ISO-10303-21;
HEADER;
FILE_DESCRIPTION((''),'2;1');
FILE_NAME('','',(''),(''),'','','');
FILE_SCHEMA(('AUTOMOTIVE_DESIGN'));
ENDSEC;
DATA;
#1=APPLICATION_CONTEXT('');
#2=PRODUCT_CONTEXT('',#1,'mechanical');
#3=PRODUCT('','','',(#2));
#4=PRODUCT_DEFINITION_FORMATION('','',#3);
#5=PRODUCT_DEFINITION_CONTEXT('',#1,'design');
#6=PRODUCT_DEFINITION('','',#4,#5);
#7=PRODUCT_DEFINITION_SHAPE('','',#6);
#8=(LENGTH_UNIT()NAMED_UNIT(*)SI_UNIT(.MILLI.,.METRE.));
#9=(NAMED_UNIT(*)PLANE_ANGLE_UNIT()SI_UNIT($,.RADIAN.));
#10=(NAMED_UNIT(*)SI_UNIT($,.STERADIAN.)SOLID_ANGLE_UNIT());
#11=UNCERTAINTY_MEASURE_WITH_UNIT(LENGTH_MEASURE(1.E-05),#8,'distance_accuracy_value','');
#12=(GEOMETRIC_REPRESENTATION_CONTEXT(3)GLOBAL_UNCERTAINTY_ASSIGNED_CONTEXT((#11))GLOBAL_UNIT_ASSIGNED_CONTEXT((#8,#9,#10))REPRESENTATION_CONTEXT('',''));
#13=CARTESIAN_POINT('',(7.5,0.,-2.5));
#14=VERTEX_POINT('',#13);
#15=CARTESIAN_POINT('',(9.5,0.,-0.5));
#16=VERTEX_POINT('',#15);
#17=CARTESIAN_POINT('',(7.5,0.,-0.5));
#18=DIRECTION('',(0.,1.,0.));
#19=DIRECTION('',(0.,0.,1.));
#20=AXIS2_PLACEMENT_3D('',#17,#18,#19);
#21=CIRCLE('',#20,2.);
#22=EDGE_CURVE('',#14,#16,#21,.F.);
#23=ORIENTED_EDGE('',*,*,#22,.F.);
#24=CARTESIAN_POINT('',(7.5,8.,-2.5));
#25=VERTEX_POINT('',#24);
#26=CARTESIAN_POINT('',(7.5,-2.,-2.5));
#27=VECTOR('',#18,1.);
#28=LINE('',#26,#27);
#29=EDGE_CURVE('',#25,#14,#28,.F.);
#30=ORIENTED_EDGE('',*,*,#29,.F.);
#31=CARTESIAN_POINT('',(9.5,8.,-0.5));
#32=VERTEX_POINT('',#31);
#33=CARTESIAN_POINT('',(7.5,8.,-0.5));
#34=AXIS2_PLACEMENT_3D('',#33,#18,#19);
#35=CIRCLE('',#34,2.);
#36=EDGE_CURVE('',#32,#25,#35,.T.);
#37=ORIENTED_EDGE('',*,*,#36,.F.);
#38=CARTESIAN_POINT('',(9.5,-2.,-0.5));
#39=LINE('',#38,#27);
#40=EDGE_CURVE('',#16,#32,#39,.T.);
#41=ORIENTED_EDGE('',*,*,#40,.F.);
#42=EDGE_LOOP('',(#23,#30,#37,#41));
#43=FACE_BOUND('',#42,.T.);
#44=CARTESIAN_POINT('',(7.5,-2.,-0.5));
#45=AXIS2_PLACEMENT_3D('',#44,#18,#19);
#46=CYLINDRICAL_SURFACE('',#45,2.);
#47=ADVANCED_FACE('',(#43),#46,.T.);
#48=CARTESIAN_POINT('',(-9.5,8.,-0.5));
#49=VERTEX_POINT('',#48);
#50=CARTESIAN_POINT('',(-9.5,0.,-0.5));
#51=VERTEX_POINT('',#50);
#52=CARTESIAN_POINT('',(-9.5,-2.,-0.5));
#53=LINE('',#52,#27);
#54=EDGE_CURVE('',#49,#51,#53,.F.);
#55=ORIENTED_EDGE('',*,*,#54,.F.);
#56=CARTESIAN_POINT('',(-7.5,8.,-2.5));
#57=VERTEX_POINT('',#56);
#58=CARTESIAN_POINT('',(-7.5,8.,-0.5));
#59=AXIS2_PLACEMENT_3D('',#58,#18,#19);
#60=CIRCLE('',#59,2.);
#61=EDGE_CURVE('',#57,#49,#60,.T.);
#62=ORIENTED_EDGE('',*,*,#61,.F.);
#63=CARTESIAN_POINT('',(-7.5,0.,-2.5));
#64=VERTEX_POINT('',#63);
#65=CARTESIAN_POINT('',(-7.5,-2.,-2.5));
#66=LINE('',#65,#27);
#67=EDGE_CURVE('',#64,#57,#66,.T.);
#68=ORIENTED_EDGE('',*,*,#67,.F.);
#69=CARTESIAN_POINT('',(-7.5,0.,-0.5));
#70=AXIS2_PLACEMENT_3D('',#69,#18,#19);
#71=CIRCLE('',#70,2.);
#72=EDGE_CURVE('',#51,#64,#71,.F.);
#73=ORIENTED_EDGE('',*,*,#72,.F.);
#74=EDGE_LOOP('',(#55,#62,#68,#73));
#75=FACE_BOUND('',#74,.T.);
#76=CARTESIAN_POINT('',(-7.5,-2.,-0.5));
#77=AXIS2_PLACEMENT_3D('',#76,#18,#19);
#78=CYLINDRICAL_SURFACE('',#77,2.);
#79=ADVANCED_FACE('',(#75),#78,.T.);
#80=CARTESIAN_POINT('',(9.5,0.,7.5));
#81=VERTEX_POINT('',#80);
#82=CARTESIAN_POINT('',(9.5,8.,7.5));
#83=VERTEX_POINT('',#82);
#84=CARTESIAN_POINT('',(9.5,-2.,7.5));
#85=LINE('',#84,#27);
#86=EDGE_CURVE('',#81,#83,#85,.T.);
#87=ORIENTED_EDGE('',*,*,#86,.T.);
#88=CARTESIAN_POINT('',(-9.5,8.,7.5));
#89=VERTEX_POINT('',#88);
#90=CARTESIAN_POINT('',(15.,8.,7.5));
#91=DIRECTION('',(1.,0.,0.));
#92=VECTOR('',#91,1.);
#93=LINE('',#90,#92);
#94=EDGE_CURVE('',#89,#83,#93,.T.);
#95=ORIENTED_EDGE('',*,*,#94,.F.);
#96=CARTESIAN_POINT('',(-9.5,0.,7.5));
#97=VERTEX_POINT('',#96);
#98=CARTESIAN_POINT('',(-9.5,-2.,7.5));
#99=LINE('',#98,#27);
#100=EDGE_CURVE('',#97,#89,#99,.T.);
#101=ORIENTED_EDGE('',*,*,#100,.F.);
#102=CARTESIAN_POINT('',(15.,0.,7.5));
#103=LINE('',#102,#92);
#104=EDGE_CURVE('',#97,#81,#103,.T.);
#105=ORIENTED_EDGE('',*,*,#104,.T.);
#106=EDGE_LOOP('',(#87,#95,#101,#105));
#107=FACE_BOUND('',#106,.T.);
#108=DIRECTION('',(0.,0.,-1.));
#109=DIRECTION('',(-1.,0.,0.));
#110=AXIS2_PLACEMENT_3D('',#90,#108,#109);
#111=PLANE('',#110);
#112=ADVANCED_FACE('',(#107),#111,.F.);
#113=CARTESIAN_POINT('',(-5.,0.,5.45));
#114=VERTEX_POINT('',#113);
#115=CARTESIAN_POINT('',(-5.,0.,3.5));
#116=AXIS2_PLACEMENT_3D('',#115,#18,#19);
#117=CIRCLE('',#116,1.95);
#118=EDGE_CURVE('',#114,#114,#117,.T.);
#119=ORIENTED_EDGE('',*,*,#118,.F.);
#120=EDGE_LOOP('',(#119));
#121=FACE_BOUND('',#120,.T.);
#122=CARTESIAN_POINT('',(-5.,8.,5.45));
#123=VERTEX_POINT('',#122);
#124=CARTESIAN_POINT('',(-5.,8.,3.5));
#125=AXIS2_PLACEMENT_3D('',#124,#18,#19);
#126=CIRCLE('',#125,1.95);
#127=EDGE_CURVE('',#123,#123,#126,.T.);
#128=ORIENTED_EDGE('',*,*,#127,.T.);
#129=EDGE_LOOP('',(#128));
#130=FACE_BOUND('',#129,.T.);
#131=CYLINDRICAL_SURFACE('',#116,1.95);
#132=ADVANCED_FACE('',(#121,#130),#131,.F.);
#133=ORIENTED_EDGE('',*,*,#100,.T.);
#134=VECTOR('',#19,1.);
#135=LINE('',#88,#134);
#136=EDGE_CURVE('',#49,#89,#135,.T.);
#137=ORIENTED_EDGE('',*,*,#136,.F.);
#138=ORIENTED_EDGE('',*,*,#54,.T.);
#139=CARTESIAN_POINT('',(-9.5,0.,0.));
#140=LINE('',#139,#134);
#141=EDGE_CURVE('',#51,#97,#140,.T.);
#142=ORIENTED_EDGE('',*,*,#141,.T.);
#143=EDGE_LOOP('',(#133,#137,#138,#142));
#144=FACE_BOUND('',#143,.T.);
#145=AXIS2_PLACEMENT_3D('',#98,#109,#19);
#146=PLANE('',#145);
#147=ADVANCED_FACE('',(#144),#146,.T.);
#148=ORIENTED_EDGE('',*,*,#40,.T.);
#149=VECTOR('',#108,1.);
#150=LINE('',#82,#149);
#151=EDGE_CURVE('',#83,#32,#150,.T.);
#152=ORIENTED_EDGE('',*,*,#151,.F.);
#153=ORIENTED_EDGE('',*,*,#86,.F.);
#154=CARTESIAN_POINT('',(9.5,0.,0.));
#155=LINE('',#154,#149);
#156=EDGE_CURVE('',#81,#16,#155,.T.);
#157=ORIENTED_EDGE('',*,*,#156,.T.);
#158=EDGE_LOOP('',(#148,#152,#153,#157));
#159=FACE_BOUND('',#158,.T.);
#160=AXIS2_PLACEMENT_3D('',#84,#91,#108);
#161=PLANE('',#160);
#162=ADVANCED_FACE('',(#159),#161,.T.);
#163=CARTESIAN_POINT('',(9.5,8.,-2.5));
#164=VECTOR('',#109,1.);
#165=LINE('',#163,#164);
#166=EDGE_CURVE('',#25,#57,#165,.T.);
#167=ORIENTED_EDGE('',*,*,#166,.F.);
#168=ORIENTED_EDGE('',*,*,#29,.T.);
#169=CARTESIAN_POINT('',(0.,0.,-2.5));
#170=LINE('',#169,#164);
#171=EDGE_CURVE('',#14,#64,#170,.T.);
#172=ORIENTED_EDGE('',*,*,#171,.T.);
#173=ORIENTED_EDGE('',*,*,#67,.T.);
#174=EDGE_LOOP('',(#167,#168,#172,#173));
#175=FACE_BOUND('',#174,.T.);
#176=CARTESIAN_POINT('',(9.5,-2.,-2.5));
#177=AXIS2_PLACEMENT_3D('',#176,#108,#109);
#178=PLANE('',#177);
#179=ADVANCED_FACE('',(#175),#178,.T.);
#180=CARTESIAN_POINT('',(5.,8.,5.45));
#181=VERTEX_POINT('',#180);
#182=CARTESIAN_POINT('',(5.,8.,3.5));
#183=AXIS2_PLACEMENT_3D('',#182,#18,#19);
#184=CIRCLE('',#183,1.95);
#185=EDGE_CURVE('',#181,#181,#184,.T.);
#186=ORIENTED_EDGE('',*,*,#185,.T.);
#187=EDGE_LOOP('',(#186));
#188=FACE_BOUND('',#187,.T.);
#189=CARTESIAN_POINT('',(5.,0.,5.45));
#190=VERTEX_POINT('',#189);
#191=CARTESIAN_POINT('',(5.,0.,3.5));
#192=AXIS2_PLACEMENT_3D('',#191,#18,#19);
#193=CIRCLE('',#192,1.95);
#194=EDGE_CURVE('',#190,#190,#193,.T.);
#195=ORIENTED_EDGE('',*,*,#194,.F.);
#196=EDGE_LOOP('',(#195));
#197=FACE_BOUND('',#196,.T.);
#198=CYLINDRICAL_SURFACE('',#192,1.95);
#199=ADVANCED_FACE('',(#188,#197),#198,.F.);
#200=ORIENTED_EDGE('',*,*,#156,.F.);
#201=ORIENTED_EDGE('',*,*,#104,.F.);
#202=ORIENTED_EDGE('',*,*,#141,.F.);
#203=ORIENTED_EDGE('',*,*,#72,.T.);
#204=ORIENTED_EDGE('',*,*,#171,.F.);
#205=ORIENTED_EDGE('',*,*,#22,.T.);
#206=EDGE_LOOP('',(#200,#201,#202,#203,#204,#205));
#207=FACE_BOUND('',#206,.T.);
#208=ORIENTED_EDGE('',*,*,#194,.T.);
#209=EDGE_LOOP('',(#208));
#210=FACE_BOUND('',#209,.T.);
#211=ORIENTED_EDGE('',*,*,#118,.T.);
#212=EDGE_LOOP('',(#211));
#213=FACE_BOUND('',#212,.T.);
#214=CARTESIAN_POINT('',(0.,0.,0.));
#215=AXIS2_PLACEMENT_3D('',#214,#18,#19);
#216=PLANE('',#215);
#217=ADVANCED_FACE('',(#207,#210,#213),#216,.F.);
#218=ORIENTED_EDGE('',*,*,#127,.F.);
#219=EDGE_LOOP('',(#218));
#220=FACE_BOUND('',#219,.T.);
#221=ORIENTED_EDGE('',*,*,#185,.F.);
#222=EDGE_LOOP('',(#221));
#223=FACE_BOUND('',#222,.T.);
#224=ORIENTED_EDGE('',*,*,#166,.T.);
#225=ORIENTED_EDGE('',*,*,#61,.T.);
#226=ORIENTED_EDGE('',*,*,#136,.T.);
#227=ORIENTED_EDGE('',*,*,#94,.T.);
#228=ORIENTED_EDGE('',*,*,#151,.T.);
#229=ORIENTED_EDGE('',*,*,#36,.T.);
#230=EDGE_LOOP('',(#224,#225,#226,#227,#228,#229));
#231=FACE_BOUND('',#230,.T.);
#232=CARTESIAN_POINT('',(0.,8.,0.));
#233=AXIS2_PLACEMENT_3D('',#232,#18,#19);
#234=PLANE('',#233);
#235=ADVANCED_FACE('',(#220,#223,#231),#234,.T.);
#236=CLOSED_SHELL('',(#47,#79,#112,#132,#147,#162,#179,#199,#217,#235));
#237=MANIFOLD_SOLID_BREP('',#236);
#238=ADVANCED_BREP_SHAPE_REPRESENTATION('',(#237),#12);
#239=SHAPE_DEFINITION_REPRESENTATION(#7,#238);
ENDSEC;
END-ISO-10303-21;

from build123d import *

# Parameters (mm, degrees)
SKETCH_1_W           = 30
SKETCH_1_H           = 15
EXTRUDE_1_DEPTH      = 8
FILLET_1_R           = 6
SKETCH_2_R           = 1.95
CUT_EXTRUDE_1_DEPTH  = 19.580904176
SKETCH_3_OUTSIDE_W   = 38.896
SKETCH_3_OUTSIDE_H   = 23.896
SKETCH_3_OUTSIDE_W_2 = 19
SKETCH_3_OUTSIDE_H_2 = 10
CUT_EXTRUDE_3_DEPTH  = 10
FILLET_3_R           = 2


with BuildPart() as part:
    # Эскиз1 → Бобышка-Вытянуть1 (new body)
    with BuildSketch(Plane(origin=(0, 0, 0), x_dir=(1, 0, 0), z_dir=(0, 1, 0))):
        Rectangle(SKETCH_1_W, SKETCH_1_H)
    extrude(amount=EXTRUDE_1_DEPTH)

    # Скругление1
    fillet_1_edges = [part.edges().sort_by_distance(p)[0] for p in [
        (-15, 4, -7.5),
        (15, 4, -7.5),
    ]]
    fillet(fillet_1_edges, radius=FILLET_1_R)

    # Эскиз2 → Вырез-Вытянуть1 (cut, through all)
    with BuildSketch(Plane(origin=(0, 8, 0), x_dir=(1, 0, 0), z_dir=(0, 1, 0))):
        with Locations(Location((-5, -3.5, 0), (0, 0, 270))):
            Circle(SKETCH_2_R)
        with Locations(Location((5, -3.5, 0), (0, 0, 270))):
            Circle(SKETCH_2_R)
    extrude(amount=-CUT_EXTRUDE_1_DEPTH, mode=Mode.SUBTRACT)

    # Эскиз3 outside → Вырез-Вытянуть3 (cut)
    with BuildSketch(Plane(origin=(0, 8, 0), x_dir=(1, 0, 0), z_dir=(0, 1, 0))):
        Rectangle(SKETCH_3_OUTSIDE_W, SKETCH_3_OUTSIDE_H)
        with Locations((0, -2.5)):
            Rectangle(SKETCH_3_OUTSIDE_W_2, SKETCH_3_OUTSIDE_H_2, mode=Mode.SUBTRACT)
    extrude(amount=-CUT_EXTRUDE_3_DEPTH, mode=Mode.SUBTRACT)

    # Скругление3
    fillet_3_edges = [part.edges().sort_by_distance(p)[0] for p in [
        (-9.5, 4, -2.5),
        (9.5, 4, -2.5),
    ]]
    fillet(fillet_3_edges, radius=FILLET_3_R)


solid = part.part
